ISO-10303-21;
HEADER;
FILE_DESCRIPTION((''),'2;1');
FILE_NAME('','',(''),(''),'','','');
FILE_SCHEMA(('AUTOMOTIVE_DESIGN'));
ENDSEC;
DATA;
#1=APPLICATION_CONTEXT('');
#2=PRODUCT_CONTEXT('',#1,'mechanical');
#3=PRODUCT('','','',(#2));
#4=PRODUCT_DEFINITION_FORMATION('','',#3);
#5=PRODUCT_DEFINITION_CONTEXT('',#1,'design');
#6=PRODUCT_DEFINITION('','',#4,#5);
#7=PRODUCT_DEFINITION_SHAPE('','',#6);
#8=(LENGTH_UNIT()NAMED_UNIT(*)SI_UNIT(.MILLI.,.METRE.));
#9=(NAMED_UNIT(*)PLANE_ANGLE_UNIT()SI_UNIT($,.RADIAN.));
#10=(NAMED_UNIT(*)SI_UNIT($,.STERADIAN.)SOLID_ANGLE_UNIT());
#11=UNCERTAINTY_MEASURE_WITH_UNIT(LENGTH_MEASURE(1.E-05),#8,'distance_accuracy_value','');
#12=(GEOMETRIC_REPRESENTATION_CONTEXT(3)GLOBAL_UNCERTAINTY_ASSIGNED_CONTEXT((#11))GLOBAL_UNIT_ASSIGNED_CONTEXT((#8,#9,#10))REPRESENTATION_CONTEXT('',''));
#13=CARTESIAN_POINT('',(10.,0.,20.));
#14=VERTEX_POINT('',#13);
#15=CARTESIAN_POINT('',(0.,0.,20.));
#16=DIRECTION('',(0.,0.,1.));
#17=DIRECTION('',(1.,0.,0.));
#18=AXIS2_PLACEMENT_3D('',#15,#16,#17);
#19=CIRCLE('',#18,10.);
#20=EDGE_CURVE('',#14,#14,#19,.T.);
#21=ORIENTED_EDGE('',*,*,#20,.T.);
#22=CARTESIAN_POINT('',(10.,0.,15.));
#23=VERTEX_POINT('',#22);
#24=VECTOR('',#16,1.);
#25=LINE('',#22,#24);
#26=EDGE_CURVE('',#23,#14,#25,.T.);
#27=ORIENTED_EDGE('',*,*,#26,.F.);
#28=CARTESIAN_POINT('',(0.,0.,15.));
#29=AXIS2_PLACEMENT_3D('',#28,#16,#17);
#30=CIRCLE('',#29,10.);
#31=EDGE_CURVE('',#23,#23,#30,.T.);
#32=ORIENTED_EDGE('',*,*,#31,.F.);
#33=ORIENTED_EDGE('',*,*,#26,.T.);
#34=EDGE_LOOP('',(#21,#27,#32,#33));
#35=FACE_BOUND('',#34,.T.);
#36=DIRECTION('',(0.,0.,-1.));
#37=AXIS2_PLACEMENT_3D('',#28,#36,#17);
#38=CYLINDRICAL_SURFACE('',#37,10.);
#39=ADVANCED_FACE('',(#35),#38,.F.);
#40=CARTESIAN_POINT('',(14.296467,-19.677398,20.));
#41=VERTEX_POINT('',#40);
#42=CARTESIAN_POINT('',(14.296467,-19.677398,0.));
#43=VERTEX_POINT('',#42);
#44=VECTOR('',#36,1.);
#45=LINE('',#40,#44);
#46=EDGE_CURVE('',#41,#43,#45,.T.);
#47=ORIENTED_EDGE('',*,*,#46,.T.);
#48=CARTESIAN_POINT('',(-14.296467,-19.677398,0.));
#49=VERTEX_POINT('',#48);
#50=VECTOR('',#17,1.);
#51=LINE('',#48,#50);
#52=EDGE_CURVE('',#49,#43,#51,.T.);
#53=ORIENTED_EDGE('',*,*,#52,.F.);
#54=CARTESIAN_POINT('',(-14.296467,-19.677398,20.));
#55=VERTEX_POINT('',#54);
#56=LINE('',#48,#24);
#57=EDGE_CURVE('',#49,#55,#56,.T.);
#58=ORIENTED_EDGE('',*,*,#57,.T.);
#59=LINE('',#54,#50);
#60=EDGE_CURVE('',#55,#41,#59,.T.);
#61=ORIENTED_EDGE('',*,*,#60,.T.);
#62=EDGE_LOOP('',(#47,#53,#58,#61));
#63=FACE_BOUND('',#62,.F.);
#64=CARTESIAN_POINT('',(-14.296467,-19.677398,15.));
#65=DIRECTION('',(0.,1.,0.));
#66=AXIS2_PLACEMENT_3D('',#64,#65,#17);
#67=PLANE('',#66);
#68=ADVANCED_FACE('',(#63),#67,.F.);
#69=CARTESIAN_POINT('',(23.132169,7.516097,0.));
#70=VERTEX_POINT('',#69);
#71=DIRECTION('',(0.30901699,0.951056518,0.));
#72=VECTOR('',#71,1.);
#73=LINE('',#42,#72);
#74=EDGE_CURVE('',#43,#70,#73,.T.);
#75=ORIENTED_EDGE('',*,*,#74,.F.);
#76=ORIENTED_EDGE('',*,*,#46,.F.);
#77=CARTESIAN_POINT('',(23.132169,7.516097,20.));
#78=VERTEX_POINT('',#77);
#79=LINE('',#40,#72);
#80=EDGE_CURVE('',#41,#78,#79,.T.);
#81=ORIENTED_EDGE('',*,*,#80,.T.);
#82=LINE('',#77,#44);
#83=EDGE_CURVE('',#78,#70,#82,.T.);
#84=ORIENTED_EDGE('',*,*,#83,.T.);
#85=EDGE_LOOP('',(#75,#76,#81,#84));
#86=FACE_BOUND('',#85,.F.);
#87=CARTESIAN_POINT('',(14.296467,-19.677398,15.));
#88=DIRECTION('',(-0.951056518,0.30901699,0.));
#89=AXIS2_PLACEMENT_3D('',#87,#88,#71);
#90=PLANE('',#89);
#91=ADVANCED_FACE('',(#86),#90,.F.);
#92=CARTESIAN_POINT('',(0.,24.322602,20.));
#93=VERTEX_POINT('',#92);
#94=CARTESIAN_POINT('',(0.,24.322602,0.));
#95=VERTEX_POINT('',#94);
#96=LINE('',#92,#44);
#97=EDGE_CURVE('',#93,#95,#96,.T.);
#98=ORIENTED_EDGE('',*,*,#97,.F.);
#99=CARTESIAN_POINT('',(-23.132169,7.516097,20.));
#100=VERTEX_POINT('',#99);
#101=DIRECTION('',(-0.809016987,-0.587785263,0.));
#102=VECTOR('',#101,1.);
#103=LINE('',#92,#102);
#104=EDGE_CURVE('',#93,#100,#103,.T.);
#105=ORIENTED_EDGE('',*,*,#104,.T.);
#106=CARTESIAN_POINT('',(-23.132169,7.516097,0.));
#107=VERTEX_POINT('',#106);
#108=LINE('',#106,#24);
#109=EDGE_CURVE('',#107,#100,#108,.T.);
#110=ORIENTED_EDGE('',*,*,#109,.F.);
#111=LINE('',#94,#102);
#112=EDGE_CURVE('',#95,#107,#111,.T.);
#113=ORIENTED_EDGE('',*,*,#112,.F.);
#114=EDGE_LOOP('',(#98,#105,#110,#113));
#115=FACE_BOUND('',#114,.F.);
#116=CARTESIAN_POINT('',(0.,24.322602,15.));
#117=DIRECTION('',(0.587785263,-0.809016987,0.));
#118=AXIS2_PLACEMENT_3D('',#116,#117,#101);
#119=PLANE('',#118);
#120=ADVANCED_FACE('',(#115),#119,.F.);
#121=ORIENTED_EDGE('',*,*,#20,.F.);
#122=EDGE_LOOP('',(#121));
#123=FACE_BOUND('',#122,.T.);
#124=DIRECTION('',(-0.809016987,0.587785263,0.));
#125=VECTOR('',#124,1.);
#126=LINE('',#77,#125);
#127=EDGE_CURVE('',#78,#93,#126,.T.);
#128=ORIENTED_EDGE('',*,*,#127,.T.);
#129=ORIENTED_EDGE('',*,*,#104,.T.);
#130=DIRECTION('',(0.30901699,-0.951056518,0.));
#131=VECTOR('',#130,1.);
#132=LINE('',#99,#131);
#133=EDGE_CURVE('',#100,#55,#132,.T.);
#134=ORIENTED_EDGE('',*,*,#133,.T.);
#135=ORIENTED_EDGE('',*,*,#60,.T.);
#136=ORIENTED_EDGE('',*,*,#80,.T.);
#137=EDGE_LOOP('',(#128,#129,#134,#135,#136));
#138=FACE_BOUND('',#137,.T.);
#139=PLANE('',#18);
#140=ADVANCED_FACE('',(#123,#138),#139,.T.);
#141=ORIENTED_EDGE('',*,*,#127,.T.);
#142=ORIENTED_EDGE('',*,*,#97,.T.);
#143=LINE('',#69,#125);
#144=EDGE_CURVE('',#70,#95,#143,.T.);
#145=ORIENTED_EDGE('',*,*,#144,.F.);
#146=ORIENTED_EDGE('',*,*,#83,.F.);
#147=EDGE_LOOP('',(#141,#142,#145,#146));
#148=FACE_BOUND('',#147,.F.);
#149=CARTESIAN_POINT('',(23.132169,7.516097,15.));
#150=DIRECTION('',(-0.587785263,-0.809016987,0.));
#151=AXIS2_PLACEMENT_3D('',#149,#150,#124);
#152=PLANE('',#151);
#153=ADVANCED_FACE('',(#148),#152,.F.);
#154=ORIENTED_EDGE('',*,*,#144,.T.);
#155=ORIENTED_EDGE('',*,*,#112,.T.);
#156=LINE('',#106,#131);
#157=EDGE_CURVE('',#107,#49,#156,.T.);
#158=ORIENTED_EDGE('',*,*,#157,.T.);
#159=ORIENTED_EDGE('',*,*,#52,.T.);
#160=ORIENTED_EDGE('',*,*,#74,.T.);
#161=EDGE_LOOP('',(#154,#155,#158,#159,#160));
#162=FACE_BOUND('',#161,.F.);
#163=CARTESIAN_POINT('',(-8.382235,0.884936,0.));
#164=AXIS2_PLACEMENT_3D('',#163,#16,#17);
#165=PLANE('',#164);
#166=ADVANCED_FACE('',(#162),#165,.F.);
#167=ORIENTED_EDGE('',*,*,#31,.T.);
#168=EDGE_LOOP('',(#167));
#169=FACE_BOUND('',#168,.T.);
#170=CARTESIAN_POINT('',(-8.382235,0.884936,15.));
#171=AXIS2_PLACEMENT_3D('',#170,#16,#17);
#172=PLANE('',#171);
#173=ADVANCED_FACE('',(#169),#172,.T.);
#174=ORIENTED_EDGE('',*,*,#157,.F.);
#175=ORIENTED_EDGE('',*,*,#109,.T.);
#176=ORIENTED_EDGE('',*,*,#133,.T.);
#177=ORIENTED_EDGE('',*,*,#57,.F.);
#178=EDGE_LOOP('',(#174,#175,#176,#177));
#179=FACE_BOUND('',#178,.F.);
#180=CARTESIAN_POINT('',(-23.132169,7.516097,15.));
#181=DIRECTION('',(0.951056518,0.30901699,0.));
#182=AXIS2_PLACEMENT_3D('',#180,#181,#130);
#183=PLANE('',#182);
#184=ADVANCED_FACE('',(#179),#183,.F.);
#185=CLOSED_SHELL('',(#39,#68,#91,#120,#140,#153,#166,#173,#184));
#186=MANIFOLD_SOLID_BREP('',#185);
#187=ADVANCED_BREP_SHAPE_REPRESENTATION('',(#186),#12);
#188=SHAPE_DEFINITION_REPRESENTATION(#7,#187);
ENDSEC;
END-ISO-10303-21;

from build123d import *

# Parameters (mm, degrees)
F1_DEPTH = 15
F2_R     = 10
F3_DEPTH = 5


with BuildPart() as f1:
    # F0 (on Top) → F1 (new body)
    with BuildSketch(Plane.XY):
        Polygon((0, -19.677398), (0, 24.322602), (-23.132169, 7.516097), (-14.296467, -19.677398), align=None)
        Polygon((23.132169, 7.516097), (0, 24.322602), (0, -19.677398), (14.296467, -19.677398), align=None)
    extrude(amount=F1_DEPTH)

    # F2 (on face) → F3 (join)
    with BuildSketch(Plane.XY.offset(15)):
        Polygon((0, 24.322602), (-23.132169, 7.516097), (-14.296467, -19.677398), (14.296467, -19.677398), (23.132169, 7.516097), align=None)
        Circle(F2_R, mode=Mode.SUBTRACT)
    extrude(amount=F3_DEPTH)


solid = f1.part
